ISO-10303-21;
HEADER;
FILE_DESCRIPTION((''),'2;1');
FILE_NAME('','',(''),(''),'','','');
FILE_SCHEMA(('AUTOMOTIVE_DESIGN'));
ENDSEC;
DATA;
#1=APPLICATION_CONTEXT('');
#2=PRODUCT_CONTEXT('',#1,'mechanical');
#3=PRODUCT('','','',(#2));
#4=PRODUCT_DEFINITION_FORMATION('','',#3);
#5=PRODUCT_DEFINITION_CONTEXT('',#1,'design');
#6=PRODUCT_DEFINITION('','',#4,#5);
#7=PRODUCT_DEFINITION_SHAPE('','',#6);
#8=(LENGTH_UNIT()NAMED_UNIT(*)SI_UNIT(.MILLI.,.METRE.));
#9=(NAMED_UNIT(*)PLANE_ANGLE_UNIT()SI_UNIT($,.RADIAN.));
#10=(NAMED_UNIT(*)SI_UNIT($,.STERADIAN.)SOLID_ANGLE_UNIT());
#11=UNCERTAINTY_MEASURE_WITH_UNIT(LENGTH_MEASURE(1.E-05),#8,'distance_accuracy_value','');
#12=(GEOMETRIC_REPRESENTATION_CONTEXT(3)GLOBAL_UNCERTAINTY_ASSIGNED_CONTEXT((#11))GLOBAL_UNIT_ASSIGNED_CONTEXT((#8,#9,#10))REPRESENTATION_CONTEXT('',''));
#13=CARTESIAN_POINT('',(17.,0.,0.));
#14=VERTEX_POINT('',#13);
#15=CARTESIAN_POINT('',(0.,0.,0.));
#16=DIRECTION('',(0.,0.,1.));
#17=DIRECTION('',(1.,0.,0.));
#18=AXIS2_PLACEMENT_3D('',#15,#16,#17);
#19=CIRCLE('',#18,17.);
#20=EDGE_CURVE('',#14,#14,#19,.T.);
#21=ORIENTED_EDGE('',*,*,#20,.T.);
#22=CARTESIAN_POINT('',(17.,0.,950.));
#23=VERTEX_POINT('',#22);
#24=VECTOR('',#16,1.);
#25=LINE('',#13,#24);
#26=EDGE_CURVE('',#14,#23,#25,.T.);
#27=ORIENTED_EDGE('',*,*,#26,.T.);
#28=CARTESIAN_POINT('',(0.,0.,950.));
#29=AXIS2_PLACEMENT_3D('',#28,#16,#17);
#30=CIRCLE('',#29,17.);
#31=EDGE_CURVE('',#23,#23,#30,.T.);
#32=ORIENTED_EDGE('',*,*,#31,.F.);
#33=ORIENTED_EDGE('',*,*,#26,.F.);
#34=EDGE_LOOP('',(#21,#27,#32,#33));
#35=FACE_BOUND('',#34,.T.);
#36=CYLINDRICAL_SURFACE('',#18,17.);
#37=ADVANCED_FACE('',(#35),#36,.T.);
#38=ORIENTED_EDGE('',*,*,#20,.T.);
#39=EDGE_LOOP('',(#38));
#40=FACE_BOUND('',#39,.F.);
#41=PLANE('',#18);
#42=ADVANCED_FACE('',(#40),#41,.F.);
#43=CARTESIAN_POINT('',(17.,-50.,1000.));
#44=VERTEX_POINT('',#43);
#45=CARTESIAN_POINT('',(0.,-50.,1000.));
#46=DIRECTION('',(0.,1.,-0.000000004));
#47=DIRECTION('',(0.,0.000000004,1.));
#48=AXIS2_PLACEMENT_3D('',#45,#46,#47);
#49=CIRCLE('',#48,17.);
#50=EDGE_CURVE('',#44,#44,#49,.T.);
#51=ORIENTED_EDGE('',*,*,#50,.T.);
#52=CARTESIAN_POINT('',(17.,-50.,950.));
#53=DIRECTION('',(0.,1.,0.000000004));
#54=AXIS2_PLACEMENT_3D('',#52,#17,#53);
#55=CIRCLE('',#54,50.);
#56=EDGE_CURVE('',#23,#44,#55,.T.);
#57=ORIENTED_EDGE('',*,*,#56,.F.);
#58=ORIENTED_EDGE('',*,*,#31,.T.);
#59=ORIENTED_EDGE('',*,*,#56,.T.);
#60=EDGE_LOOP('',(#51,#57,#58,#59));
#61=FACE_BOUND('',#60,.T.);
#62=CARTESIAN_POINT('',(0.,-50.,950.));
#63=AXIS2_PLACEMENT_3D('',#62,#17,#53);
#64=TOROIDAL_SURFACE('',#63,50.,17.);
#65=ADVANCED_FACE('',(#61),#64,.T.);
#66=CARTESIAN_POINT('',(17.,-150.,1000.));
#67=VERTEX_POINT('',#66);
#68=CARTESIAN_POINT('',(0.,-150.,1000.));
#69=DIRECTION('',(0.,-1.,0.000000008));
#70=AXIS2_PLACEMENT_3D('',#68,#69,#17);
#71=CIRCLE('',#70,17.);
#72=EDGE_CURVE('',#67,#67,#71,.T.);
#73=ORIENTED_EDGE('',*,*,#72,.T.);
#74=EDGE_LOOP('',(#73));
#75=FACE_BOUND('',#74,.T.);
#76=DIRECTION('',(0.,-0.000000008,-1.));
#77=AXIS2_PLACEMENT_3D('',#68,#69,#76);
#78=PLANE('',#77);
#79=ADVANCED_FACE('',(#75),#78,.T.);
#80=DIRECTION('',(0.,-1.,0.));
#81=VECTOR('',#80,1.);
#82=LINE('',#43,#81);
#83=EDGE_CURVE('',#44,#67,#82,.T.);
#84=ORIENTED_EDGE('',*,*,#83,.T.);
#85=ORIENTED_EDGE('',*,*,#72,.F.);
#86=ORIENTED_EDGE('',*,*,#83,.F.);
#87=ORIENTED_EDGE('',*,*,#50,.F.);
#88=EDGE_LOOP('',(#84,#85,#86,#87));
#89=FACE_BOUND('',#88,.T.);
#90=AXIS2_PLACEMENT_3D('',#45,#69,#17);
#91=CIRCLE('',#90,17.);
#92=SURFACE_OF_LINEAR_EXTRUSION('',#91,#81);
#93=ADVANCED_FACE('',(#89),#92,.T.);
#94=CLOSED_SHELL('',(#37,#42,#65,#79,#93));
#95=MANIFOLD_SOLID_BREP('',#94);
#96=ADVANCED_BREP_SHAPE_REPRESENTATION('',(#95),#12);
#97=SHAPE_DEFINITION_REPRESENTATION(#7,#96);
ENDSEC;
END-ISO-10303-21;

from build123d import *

# Parameters (mm, degrees)
F1_R = 17


with BuildPart() as f2:
    # F2: sweep along a path in F0
    with BuildLine(Plane.YZ) as f2_path:
        Line((0, 0), (0, 950))
        ThreePointArc((0, 950), (-14.644661, 985.355339), (-50, 1000))
        Line((-50, 1000), (-150, 1000))
    # F1 (on Top) → F2 (sweep)
    with BuildSketch(Plane.XY):
        Circle(F1_R)
    sweep(path=f2_path.line)


solid = f2.part
